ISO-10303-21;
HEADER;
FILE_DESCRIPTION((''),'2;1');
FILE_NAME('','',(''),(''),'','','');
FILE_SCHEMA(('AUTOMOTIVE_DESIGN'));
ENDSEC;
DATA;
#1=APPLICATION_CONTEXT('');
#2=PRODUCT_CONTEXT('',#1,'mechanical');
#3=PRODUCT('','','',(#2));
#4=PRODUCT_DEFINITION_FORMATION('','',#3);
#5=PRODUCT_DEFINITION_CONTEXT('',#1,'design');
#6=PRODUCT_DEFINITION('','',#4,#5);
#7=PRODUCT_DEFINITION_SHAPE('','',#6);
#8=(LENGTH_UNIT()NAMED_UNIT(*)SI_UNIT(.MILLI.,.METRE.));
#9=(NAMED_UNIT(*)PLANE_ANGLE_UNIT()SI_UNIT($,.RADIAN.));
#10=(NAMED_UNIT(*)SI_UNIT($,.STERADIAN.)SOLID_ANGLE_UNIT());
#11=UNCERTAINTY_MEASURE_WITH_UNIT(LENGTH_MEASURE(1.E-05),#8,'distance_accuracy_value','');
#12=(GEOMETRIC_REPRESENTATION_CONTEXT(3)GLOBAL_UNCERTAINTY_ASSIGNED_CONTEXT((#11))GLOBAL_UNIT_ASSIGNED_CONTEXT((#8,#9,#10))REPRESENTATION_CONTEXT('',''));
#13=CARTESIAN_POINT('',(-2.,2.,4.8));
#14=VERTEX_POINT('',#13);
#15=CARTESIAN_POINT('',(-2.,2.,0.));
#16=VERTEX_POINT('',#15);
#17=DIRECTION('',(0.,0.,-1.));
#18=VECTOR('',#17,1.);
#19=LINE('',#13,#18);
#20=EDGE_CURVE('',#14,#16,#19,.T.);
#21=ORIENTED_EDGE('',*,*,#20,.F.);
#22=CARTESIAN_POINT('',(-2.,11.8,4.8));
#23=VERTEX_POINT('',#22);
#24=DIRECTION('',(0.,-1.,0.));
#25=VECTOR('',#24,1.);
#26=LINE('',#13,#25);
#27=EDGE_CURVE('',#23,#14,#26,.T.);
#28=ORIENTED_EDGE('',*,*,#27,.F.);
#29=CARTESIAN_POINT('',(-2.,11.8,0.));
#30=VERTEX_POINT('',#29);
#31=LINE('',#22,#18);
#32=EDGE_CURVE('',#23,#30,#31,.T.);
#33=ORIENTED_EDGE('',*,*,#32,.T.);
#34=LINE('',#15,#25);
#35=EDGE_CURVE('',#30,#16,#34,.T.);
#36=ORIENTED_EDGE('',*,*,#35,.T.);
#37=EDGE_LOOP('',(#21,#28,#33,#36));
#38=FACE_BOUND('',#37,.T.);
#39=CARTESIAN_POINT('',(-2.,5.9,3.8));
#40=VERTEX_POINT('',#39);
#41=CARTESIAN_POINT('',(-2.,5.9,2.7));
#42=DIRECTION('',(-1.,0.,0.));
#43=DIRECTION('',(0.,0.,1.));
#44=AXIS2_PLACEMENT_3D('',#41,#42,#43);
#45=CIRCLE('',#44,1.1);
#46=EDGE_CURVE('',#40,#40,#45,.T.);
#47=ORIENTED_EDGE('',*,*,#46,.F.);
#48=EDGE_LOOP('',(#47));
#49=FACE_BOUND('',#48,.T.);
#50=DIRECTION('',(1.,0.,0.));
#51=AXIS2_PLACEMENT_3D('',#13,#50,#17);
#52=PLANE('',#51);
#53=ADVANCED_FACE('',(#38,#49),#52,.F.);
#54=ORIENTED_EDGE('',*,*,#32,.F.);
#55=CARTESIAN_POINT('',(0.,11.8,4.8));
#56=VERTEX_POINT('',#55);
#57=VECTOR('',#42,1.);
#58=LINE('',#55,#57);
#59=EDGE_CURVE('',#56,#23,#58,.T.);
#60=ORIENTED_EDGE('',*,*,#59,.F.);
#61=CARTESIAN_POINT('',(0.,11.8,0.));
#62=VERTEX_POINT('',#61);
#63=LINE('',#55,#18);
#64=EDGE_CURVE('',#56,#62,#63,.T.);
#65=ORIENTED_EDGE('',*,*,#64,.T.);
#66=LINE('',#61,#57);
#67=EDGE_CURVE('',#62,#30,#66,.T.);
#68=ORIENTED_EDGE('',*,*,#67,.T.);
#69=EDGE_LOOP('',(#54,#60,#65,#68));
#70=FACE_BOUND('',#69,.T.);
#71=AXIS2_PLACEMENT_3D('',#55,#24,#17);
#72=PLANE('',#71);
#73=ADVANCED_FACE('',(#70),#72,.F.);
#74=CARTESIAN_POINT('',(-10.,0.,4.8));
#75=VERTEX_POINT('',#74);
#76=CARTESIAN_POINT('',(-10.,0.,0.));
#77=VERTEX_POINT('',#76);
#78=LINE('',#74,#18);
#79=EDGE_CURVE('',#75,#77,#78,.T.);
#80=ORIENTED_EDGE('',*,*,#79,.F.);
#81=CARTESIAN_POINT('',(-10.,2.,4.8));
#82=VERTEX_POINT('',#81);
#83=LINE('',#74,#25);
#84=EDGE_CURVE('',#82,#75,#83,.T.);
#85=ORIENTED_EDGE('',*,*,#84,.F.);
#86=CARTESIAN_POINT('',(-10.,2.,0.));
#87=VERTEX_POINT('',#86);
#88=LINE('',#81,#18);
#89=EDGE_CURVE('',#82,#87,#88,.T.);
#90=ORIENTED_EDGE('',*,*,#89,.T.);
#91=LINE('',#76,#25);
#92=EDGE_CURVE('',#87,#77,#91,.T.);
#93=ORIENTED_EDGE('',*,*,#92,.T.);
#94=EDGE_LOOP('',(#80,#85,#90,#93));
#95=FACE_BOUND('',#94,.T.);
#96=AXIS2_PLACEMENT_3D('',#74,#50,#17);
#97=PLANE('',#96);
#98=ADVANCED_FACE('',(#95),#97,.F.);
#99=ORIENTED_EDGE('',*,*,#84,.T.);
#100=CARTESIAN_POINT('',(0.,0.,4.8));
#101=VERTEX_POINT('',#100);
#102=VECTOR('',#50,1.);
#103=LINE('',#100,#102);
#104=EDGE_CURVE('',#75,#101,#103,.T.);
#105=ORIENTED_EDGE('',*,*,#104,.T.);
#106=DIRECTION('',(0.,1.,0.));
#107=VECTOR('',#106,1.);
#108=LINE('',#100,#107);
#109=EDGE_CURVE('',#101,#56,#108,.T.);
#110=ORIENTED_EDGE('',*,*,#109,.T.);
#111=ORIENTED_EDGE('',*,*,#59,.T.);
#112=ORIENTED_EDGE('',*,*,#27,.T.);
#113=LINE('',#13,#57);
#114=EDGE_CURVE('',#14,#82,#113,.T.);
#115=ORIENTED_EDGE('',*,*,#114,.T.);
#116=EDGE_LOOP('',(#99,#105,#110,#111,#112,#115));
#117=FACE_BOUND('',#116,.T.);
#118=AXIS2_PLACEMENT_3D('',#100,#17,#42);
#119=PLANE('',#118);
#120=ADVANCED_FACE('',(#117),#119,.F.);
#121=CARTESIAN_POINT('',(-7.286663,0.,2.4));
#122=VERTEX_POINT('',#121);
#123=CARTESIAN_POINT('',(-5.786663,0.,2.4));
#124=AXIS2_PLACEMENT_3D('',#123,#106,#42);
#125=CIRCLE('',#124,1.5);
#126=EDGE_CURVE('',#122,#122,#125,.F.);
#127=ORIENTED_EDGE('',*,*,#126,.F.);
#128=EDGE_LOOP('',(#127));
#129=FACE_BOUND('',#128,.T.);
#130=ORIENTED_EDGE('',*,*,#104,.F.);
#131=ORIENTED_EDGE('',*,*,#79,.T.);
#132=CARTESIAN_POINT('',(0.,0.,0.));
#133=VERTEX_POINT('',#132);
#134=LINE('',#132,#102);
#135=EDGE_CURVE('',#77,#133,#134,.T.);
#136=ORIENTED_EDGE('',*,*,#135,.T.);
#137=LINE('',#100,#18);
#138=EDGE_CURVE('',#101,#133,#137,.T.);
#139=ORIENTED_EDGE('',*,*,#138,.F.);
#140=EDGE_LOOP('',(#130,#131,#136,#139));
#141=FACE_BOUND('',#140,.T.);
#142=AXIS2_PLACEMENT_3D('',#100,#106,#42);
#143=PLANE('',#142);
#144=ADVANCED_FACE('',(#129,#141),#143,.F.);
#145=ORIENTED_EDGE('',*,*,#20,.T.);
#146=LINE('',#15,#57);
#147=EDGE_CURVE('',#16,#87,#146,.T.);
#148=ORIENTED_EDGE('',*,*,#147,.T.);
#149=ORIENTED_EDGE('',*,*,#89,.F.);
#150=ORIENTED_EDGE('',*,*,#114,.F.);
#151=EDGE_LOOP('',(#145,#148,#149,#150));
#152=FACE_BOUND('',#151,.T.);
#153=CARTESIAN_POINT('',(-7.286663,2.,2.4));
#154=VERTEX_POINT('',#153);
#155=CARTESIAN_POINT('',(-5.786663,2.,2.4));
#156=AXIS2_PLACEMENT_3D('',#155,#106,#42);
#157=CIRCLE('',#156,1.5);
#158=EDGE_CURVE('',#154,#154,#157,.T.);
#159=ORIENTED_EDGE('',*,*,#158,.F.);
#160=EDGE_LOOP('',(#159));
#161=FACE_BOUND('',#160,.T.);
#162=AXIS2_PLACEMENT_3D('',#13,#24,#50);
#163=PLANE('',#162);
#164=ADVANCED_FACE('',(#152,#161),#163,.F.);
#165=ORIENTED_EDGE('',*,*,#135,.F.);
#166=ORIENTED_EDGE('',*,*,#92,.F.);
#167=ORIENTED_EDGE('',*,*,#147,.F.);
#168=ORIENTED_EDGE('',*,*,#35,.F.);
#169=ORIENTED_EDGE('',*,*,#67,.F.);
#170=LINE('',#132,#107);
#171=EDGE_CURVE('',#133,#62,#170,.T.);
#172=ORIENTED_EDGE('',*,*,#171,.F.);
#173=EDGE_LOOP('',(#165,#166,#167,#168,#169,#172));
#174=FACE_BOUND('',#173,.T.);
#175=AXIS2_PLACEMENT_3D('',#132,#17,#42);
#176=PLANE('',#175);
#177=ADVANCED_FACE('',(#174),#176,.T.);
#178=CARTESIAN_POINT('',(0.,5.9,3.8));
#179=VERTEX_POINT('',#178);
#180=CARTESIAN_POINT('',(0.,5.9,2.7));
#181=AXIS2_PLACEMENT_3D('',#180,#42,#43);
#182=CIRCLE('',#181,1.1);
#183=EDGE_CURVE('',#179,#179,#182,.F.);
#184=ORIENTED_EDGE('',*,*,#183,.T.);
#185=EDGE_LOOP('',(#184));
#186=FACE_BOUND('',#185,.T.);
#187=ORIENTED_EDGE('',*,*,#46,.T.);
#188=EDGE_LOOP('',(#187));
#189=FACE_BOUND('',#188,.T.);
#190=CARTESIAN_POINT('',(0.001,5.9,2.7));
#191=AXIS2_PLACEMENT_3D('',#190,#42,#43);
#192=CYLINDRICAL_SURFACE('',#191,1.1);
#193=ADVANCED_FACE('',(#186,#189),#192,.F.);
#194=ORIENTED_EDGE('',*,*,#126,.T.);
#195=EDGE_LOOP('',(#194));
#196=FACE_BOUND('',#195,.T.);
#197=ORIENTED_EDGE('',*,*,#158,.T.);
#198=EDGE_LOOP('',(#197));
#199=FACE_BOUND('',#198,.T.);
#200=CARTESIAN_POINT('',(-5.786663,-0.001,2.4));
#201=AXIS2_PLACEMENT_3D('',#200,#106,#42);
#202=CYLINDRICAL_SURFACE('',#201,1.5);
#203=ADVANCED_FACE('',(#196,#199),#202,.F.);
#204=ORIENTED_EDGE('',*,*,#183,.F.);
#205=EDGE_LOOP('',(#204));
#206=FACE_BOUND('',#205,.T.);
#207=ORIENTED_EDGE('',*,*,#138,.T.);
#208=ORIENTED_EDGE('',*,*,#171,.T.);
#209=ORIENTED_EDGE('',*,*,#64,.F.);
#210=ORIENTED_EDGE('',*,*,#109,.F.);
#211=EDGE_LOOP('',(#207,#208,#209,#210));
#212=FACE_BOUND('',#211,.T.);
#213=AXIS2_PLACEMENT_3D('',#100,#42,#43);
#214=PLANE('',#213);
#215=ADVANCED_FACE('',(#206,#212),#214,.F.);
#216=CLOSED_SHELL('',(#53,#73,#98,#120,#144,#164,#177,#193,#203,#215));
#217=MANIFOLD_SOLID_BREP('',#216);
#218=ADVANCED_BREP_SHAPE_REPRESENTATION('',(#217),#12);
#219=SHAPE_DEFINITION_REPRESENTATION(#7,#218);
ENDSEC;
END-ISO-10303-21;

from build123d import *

# Parameters (mm, degrees)
BOSS_EXTRUDE1_DEPTH = 4.8
CUT_EXTRUDE1_REACH  = 4
SKETCH2_R           = 1.1
CUT_EXTRUDE2_REACH  = 4
SKETCH3_R           = 1.5


with BuildPart() as part:
    # Sketch1 → Boss-Extrude1 (new body)
    with BuildSketch(Plane.XY):
        Polygon((0, 0), (0, 11.8), (-2, 11.8), (-2, 2), (-10, 2), (-10, 0), align=None)
    extrude(amount=BOSS_EXTRUDE1_DEPTH)

    # Sketch2 → Cut-Extrude1 (cut, up to next)
    with BuildSketch(Plane.ZY.offset(2), mode=Mode.PRIVATE) as cut_extrude1_sk1:
        with Locations((2.7, 5.9)):
            Circle(SKETCH2_R)
    cut_extrude1_tool1 = extrude(cut_extrude1_sk1.sketch, amount=-CUT_EXTRUDE1_REACH, mode=Mode.PRIVATE) & part.part
    add(cut_extrude1_tool1.solids().sort_by_distance((-2, 5.9, 2.7))[0], mode=Mode.SUBTRACT)

    # Sketch3 → Cut-Extrude2 (cut, up to next)
    with BuildSketch(Plane(origin=(0, 2, 0), x_dir=(1, 0, 0), z_dir=(0, 1, 0)), mode=Mode.PRIVATE) as cut_extrude2_sk1:
        with Locations((-5.786663097, -2.4)):
            Circle(SKETCH3_R)
    cut_extrude2_tool1 = extrude(cut_extrude2_sk1.sketch, amount=-CUT_EXTRUDE2_REACH, mode=Mode.PRIVATE) & part.part
    add(cut_extrude2_tool1.solids().sort_by_distance((-5.786663, 2, 2.4))[0], mode=Mode.SUBTRACT)


solid = part.part
